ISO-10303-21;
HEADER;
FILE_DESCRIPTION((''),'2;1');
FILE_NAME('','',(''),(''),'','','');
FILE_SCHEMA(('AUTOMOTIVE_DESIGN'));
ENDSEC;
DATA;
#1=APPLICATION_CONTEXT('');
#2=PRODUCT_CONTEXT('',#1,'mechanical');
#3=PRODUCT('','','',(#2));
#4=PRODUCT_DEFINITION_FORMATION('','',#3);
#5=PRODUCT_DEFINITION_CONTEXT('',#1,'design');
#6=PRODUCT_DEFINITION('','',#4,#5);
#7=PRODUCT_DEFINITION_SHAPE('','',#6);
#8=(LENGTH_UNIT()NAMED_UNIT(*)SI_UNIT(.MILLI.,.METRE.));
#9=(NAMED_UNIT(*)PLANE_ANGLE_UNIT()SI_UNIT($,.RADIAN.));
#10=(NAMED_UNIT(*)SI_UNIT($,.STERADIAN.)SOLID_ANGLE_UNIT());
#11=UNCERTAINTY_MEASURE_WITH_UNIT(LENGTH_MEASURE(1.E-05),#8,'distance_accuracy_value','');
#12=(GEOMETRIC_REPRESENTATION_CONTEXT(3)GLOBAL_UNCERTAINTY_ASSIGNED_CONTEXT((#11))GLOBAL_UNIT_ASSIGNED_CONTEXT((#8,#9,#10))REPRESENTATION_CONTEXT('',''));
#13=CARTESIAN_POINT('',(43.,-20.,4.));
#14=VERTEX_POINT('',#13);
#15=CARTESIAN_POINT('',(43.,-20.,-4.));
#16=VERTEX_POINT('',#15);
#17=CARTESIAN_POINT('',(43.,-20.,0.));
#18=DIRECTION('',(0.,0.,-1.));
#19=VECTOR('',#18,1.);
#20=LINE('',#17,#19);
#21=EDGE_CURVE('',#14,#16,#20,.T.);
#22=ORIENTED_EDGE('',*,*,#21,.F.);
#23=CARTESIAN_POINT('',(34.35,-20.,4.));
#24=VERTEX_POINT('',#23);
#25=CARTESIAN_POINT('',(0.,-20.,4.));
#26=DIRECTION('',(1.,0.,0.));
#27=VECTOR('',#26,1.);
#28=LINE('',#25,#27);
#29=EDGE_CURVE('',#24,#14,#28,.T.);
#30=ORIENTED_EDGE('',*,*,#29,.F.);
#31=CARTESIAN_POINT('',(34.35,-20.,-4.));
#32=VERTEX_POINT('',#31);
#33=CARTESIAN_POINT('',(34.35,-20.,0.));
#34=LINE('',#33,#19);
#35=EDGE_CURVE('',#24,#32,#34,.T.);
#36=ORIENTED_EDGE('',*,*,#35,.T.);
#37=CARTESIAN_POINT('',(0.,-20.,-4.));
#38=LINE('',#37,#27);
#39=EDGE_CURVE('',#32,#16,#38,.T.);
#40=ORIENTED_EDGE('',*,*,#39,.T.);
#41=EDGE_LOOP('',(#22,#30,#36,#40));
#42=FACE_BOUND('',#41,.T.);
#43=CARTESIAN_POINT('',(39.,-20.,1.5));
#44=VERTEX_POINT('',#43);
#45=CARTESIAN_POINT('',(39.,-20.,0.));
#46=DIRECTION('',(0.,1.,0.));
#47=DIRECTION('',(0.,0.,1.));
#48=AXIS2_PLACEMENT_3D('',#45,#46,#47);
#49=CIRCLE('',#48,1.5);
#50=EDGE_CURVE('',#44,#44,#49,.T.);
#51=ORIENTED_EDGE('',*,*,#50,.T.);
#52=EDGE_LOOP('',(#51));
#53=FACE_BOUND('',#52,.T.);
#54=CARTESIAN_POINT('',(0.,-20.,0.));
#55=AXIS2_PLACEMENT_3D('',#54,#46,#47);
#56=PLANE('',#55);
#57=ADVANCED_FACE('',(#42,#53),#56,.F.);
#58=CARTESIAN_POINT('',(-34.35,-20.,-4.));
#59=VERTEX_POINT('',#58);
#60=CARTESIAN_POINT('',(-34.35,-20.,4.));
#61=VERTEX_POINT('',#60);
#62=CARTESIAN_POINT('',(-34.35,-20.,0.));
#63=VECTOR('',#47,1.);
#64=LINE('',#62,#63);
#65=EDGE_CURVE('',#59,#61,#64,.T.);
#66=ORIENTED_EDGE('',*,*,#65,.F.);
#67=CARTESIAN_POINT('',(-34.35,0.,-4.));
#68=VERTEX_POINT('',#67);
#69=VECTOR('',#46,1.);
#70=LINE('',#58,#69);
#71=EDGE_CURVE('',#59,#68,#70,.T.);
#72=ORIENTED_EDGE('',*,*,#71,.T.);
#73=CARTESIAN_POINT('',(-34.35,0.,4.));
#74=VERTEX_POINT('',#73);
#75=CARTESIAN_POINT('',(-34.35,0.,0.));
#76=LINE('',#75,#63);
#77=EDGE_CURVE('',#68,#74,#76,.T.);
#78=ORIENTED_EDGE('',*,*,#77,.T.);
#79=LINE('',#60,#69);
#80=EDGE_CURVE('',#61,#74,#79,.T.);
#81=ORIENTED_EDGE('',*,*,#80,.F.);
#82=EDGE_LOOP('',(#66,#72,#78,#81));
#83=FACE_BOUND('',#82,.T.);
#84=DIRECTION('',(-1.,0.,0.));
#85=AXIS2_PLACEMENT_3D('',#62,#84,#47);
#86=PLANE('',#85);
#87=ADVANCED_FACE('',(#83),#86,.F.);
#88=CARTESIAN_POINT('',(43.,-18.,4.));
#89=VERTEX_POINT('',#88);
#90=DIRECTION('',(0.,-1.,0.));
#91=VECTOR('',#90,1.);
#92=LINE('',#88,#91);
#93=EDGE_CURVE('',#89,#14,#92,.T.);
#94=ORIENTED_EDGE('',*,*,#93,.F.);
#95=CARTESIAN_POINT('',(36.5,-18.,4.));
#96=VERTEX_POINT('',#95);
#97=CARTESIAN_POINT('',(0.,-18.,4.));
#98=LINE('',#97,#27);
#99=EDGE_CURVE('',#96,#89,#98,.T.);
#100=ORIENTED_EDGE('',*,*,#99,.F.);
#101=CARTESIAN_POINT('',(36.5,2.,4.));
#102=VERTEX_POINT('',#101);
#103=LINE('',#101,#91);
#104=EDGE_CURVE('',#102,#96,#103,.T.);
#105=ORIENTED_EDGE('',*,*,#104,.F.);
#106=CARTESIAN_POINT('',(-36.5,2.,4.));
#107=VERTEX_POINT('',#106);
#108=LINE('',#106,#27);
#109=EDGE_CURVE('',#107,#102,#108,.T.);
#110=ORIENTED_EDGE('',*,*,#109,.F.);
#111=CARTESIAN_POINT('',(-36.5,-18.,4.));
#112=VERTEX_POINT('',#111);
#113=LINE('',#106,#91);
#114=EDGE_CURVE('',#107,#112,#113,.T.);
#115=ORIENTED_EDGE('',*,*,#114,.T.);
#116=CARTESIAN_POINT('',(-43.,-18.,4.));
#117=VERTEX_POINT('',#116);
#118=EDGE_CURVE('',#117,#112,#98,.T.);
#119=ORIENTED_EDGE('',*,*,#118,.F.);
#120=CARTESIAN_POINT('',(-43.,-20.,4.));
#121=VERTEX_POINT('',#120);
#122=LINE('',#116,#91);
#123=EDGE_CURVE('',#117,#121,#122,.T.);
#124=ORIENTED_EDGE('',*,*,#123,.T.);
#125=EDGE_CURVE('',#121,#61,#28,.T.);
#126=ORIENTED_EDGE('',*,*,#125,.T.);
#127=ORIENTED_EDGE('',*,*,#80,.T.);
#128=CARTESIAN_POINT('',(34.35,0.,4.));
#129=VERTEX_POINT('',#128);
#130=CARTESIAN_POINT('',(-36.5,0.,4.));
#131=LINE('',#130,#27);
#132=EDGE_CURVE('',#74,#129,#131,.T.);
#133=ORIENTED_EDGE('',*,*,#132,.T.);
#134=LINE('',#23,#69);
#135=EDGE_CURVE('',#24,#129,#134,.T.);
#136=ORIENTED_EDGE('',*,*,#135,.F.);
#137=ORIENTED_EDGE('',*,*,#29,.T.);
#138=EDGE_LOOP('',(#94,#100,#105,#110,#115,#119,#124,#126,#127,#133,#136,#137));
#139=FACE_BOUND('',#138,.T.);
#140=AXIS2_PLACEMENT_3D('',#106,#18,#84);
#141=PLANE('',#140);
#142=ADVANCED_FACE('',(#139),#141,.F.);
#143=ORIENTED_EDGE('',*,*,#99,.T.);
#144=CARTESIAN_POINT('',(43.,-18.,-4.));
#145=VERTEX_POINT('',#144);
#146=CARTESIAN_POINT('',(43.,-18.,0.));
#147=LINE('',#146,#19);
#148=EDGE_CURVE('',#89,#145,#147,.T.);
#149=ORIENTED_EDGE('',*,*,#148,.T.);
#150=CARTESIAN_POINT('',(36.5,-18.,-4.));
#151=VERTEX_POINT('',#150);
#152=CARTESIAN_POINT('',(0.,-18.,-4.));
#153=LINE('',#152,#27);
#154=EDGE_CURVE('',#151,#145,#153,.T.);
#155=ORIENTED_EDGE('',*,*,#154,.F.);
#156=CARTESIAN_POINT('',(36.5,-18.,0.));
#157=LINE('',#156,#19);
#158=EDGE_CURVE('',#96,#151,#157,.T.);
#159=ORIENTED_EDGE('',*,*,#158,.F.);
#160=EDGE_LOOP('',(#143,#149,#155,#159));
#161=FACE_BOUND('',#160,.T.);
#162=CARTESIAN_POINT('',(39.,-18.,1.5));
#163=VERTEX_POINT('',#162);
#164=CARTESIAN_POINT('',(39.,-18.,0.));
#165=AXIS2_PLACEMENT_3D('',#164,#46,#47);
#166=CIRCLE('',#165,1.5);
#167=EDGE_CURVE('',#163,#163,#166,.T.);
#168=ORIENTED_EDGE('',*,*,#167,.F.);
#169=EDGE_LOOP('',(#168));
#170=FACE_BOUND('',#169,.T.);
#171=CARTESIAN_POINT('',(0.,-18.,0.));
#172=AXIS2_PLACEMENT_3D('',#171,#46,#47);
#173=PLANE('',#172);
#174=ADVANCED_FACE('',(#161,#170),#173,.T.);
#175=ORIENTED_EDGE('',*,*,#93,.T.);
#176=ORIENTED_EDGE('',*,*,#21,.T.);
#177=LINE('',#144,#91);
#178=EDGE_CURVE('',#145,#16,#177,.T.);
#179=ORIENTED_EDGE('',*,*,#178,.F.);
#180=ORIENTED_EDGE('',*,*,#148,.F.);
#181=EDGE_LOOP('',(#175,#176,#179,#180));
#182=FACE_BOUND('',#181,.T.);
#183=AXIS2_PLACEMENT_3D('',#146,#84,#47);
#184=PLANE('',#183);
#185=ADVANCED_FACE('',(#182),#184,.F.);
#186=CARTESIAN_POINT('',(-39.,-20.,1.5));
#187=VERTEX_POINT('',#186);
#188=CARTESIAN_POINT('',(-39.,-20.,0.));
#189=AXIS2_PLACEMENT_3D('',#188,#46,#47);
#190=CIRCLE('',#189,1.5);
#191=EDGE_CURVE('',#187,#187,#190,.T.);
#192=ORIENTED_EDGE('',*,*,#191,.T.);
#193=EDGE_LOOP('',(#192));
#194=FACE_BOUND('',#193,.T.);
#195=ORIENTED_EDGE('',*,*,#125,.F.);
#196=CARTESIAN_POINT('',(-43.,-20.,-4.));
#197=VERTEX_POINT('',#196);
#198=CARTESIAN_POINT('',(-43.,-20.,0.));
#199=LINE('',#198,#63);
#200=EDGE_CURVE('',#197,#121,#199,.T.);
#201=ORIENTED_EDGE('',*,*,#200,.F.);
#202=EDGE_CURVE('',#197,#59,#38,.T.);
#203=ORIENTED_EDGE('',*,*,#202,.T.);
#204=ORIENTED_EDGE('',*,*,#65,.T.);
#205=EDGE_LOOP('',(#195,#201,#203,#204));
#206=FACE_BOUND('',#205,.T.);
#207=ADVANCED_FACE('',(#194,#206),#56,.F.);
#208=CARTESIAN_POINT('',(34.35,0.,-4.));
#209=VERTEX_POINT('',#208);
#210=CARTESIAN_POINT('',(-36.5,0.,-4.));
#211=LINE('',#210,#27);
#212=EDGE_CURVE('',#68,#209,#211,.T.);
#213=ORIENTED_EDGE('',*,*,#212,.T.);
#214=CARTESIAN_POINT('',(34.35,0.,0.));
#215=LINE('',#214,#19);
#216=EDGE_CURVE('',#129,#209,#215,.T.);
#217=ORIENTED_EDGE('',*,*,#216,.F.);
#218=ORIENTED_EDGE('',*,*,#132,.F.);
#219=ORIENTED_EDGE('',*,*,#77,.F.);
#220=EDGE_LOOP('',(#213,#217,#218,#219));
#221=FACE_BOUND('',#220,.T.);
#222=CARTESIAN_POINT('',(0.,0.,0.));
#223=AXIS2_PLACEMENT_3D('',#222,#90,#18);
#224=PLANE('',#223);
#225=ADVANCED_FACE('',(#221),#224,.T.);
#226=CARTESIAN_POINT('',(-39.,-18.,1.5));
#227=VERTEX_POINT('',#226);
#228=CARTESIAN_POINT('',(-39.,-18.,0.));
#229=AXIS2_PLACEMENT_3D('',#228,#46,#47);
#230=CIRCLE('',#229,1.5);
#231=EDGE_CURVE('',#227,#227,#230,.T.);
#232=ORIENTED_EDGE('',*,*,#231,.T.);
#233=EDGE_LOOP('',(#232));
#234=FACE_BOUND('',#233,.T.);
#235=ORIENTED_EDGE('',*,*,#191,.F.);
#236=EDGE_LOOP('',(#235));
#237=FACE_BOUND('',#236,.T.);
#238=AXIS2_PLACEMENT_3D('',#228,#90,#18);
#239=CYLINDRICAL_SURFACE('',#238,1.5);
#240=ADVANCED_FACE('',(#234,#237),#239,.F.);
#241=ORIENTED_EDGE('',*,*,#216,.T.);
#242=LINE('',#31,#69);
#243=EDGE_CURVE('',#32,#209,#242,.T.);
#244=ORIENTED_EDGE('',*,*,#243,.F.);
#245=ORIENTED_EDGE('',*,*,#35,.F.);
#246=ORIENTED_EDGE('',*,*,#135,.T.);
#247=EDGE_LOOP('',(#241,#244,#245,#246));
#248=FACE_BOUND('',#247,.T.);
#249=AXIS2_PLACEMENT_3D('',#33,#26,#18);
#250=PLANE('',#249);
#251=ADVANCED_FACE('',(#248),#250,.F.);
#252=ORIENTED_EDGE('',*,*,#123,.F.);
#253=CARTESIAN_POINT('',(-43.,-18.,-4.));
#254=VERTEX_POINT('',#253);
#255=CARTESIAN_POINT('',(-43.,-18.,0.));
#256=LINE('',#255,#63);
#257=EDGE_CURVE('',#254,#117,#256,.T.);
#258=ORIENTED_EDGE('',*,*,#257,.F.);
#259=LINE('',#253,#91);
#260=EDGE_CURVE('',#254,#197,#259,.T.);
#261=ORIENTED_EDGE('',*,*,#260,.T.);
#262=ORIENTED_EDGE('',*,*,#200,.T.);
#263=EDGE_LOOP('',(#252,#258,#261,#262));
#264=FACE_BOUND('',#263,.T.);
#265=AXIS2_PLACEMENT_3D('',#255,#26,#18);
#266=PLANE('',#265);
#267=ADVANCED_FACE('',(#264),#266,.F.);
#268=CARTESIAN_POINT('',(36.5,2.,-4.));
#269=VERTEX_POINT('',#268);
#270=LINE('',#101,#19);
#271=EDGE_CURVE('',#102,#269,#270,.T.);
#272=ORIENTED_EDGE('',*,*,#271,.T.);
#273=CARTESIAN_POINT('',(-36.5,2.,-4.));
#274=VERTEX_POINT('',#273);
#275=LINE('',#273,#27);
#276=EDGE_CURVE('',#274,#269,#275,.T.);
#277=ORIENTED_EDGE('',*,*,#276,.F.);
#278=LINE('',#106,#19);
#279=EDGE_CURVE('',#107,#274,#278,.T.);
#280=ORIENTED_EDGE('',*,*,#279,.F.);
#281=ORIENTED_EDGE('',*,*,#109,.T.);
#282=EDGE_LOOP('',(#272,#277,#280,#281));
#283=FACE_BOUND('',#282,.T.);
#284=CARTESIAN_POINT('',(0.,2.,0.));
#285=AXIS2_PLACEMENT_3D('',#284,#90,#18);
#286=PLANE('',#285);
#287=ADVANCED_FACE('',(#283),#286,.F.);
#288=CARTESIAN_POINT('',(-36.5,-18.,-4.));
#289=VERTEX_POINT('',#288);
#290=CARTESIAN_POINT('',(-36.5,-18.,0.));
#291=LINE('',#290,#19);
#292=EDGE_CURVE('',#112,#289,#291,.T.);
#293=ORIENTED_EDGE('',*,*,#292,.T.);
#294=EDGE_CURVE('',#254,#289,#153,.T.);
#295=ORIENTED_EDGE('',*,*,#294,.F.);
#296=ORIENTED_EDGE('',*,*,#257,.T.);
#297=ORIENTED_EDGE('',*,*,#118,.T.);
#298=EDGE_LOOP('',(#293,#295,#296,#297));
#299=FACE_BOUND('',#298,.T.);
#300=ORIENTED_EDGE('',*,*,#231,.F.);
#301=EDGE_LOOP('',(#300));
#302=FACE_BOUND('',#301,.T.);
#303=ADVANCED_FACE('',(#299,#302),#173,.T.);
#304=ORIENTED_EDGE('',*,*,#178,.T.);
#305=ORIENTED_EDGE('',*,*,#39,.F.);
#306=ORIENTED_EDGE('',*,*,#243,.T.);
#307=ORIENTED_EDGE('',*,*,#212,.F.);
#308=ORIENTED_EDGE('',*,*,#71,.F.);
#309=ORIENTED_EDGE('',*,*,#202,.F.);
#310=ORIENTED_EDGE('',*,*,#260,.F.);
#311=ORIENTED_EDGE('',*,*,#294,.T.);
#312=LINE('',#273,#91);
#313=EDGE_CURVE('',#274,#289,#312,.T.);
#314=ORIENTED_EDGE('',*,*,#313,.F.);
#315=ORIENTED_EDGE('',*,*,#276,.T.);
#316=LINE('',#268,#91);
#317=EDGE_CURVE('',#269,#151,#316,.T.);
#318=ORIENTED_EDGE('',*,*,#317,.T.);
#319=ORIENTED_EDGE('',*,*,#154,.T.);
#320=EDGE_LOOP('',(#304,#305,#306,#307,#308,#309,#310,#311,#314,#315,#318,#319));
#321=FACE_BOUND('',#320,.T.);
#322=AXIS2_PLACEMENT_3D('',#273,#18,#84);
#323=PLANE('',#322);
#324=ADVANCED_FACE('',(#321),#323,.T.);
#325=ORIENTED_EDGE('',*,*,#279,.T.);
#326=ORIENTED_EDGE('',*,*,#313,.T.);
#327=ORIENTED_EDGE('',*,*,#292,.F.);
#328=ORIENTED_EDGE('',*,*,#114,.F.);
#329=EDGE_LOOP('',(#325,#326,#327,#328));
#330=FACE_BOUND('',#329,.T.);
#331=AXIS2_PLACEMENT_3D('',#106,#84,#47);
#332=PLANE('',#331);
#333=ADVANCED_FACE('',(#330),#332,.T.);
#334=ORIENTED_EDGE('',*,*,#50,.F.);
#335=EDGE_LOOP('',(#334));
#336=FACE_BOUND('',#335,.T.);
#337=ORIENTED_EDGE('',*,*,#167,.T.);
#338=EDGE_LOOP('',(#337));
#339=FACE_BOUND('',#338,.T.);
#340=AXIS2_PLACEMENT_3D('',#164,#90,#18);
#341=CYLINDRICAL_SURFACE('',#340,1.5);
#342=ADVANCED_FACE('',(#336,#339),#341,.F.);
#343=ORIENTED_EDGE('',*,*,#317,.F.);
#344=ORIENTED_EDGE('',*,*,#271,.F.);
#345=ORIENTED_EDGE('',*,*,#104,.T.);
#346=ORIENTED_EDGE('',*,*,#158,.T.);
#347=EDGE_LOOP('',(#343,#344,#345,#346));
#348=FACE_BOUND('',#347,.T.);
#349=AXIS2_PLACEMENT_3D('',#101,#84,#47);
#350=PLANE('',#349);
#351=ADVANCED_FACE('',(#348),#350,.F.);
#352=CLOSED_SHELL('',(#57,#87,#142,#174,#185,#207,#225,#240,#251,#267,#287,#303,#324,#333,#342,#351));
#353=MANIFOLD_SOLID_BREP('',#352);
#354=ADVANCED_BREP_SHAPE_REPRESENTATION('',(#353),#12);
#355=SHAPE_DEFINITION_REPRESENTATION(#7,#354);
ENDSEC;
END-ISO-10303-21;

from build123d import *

# Parameters (mm, degrees)
SKETCH_1_W      = 73
SKETCH_1_H      = 8
EXTRUDE_1_DEPTH = 2
SKETCH_1_15_W   = 2.15
SKETCH_1_15_H   = 8
EXTRUDE_2_DEPTH = 20
EXTRUDE_START   = -20
SKETCH_1_16_W   = 6.5
SKETCH_1_16_H   = 8
SKETCH_1_16_R   = 1.5
EXTRUDE_3_DEPTH = 2


with BuildPart() as part:
    # 草图1 → 凸台-拉伸1 (new body)
    with BuildSketch(Plane(origin=(0, 0, 0), x_dir=(1, 0, 0), z_dir=(0, 1, 0))):
        Rectangle(SKETCH_1_W, SKETCH_1_H)
    extrude(amount=EXTRUDE_1_DEPTH)

    # 草图1<15> → 凸台-拉伸2 (add)
    with BuildSketch(Plane(origin=(0, 0, 0), x_dir=(1, 0, 0), z_dir=(0, 1, 0))):
        with Locations((-35.425, 0)):
            Rectangle(SKETCH_1_15_W, SKETCH_1_15_H)
        with Locations((35.425, 0)):
            Rectangle(SKETCH_1_15_W, SKETCH_1_15_H)
    extrude(amount=-EXTRUDE_2_DEPTH)

    # 草图1<16> → 凸台-拉伸3 (add)
    # profile 1 of 2: a face of its own
    with BuildSketch(Plane(origin=(0, 0, 0), x_dir=(1, 0, 0), z_dir=(0, 1, 0)).offset(EXTRUDE_START)):
        with Locations((-39.75, 0)):
            Rectangle(SKETCH_1_16_W, SKETCH_1_16_H)
        with Locations(Location((-39, 0, 0), (0, 0, 270))):
            Circle(SKETCH_1_16_R, mode=Mode.SUBTRACT)
    # profile 2 of 2: a face of its own
    with BuildSketch(Plane(origin=(0, 0, 0), x_dir=(1, 0, 0), z_dir=(0, 1, 0)).offset(EXTRUDE_START)):
        with Locations((39.75, 0)):
            Rectangle(SKETCH_1_16_W, SKETCH_1_16_H)
        with Locations(Location((39, 0, 0), (0, 0, 270))):
            Circle(SKETCH_1_16_R, mode=Mode.SUBTRACT)
    extrude(amount=EXTRUDE_3_DEPTH)


solid = part.part
